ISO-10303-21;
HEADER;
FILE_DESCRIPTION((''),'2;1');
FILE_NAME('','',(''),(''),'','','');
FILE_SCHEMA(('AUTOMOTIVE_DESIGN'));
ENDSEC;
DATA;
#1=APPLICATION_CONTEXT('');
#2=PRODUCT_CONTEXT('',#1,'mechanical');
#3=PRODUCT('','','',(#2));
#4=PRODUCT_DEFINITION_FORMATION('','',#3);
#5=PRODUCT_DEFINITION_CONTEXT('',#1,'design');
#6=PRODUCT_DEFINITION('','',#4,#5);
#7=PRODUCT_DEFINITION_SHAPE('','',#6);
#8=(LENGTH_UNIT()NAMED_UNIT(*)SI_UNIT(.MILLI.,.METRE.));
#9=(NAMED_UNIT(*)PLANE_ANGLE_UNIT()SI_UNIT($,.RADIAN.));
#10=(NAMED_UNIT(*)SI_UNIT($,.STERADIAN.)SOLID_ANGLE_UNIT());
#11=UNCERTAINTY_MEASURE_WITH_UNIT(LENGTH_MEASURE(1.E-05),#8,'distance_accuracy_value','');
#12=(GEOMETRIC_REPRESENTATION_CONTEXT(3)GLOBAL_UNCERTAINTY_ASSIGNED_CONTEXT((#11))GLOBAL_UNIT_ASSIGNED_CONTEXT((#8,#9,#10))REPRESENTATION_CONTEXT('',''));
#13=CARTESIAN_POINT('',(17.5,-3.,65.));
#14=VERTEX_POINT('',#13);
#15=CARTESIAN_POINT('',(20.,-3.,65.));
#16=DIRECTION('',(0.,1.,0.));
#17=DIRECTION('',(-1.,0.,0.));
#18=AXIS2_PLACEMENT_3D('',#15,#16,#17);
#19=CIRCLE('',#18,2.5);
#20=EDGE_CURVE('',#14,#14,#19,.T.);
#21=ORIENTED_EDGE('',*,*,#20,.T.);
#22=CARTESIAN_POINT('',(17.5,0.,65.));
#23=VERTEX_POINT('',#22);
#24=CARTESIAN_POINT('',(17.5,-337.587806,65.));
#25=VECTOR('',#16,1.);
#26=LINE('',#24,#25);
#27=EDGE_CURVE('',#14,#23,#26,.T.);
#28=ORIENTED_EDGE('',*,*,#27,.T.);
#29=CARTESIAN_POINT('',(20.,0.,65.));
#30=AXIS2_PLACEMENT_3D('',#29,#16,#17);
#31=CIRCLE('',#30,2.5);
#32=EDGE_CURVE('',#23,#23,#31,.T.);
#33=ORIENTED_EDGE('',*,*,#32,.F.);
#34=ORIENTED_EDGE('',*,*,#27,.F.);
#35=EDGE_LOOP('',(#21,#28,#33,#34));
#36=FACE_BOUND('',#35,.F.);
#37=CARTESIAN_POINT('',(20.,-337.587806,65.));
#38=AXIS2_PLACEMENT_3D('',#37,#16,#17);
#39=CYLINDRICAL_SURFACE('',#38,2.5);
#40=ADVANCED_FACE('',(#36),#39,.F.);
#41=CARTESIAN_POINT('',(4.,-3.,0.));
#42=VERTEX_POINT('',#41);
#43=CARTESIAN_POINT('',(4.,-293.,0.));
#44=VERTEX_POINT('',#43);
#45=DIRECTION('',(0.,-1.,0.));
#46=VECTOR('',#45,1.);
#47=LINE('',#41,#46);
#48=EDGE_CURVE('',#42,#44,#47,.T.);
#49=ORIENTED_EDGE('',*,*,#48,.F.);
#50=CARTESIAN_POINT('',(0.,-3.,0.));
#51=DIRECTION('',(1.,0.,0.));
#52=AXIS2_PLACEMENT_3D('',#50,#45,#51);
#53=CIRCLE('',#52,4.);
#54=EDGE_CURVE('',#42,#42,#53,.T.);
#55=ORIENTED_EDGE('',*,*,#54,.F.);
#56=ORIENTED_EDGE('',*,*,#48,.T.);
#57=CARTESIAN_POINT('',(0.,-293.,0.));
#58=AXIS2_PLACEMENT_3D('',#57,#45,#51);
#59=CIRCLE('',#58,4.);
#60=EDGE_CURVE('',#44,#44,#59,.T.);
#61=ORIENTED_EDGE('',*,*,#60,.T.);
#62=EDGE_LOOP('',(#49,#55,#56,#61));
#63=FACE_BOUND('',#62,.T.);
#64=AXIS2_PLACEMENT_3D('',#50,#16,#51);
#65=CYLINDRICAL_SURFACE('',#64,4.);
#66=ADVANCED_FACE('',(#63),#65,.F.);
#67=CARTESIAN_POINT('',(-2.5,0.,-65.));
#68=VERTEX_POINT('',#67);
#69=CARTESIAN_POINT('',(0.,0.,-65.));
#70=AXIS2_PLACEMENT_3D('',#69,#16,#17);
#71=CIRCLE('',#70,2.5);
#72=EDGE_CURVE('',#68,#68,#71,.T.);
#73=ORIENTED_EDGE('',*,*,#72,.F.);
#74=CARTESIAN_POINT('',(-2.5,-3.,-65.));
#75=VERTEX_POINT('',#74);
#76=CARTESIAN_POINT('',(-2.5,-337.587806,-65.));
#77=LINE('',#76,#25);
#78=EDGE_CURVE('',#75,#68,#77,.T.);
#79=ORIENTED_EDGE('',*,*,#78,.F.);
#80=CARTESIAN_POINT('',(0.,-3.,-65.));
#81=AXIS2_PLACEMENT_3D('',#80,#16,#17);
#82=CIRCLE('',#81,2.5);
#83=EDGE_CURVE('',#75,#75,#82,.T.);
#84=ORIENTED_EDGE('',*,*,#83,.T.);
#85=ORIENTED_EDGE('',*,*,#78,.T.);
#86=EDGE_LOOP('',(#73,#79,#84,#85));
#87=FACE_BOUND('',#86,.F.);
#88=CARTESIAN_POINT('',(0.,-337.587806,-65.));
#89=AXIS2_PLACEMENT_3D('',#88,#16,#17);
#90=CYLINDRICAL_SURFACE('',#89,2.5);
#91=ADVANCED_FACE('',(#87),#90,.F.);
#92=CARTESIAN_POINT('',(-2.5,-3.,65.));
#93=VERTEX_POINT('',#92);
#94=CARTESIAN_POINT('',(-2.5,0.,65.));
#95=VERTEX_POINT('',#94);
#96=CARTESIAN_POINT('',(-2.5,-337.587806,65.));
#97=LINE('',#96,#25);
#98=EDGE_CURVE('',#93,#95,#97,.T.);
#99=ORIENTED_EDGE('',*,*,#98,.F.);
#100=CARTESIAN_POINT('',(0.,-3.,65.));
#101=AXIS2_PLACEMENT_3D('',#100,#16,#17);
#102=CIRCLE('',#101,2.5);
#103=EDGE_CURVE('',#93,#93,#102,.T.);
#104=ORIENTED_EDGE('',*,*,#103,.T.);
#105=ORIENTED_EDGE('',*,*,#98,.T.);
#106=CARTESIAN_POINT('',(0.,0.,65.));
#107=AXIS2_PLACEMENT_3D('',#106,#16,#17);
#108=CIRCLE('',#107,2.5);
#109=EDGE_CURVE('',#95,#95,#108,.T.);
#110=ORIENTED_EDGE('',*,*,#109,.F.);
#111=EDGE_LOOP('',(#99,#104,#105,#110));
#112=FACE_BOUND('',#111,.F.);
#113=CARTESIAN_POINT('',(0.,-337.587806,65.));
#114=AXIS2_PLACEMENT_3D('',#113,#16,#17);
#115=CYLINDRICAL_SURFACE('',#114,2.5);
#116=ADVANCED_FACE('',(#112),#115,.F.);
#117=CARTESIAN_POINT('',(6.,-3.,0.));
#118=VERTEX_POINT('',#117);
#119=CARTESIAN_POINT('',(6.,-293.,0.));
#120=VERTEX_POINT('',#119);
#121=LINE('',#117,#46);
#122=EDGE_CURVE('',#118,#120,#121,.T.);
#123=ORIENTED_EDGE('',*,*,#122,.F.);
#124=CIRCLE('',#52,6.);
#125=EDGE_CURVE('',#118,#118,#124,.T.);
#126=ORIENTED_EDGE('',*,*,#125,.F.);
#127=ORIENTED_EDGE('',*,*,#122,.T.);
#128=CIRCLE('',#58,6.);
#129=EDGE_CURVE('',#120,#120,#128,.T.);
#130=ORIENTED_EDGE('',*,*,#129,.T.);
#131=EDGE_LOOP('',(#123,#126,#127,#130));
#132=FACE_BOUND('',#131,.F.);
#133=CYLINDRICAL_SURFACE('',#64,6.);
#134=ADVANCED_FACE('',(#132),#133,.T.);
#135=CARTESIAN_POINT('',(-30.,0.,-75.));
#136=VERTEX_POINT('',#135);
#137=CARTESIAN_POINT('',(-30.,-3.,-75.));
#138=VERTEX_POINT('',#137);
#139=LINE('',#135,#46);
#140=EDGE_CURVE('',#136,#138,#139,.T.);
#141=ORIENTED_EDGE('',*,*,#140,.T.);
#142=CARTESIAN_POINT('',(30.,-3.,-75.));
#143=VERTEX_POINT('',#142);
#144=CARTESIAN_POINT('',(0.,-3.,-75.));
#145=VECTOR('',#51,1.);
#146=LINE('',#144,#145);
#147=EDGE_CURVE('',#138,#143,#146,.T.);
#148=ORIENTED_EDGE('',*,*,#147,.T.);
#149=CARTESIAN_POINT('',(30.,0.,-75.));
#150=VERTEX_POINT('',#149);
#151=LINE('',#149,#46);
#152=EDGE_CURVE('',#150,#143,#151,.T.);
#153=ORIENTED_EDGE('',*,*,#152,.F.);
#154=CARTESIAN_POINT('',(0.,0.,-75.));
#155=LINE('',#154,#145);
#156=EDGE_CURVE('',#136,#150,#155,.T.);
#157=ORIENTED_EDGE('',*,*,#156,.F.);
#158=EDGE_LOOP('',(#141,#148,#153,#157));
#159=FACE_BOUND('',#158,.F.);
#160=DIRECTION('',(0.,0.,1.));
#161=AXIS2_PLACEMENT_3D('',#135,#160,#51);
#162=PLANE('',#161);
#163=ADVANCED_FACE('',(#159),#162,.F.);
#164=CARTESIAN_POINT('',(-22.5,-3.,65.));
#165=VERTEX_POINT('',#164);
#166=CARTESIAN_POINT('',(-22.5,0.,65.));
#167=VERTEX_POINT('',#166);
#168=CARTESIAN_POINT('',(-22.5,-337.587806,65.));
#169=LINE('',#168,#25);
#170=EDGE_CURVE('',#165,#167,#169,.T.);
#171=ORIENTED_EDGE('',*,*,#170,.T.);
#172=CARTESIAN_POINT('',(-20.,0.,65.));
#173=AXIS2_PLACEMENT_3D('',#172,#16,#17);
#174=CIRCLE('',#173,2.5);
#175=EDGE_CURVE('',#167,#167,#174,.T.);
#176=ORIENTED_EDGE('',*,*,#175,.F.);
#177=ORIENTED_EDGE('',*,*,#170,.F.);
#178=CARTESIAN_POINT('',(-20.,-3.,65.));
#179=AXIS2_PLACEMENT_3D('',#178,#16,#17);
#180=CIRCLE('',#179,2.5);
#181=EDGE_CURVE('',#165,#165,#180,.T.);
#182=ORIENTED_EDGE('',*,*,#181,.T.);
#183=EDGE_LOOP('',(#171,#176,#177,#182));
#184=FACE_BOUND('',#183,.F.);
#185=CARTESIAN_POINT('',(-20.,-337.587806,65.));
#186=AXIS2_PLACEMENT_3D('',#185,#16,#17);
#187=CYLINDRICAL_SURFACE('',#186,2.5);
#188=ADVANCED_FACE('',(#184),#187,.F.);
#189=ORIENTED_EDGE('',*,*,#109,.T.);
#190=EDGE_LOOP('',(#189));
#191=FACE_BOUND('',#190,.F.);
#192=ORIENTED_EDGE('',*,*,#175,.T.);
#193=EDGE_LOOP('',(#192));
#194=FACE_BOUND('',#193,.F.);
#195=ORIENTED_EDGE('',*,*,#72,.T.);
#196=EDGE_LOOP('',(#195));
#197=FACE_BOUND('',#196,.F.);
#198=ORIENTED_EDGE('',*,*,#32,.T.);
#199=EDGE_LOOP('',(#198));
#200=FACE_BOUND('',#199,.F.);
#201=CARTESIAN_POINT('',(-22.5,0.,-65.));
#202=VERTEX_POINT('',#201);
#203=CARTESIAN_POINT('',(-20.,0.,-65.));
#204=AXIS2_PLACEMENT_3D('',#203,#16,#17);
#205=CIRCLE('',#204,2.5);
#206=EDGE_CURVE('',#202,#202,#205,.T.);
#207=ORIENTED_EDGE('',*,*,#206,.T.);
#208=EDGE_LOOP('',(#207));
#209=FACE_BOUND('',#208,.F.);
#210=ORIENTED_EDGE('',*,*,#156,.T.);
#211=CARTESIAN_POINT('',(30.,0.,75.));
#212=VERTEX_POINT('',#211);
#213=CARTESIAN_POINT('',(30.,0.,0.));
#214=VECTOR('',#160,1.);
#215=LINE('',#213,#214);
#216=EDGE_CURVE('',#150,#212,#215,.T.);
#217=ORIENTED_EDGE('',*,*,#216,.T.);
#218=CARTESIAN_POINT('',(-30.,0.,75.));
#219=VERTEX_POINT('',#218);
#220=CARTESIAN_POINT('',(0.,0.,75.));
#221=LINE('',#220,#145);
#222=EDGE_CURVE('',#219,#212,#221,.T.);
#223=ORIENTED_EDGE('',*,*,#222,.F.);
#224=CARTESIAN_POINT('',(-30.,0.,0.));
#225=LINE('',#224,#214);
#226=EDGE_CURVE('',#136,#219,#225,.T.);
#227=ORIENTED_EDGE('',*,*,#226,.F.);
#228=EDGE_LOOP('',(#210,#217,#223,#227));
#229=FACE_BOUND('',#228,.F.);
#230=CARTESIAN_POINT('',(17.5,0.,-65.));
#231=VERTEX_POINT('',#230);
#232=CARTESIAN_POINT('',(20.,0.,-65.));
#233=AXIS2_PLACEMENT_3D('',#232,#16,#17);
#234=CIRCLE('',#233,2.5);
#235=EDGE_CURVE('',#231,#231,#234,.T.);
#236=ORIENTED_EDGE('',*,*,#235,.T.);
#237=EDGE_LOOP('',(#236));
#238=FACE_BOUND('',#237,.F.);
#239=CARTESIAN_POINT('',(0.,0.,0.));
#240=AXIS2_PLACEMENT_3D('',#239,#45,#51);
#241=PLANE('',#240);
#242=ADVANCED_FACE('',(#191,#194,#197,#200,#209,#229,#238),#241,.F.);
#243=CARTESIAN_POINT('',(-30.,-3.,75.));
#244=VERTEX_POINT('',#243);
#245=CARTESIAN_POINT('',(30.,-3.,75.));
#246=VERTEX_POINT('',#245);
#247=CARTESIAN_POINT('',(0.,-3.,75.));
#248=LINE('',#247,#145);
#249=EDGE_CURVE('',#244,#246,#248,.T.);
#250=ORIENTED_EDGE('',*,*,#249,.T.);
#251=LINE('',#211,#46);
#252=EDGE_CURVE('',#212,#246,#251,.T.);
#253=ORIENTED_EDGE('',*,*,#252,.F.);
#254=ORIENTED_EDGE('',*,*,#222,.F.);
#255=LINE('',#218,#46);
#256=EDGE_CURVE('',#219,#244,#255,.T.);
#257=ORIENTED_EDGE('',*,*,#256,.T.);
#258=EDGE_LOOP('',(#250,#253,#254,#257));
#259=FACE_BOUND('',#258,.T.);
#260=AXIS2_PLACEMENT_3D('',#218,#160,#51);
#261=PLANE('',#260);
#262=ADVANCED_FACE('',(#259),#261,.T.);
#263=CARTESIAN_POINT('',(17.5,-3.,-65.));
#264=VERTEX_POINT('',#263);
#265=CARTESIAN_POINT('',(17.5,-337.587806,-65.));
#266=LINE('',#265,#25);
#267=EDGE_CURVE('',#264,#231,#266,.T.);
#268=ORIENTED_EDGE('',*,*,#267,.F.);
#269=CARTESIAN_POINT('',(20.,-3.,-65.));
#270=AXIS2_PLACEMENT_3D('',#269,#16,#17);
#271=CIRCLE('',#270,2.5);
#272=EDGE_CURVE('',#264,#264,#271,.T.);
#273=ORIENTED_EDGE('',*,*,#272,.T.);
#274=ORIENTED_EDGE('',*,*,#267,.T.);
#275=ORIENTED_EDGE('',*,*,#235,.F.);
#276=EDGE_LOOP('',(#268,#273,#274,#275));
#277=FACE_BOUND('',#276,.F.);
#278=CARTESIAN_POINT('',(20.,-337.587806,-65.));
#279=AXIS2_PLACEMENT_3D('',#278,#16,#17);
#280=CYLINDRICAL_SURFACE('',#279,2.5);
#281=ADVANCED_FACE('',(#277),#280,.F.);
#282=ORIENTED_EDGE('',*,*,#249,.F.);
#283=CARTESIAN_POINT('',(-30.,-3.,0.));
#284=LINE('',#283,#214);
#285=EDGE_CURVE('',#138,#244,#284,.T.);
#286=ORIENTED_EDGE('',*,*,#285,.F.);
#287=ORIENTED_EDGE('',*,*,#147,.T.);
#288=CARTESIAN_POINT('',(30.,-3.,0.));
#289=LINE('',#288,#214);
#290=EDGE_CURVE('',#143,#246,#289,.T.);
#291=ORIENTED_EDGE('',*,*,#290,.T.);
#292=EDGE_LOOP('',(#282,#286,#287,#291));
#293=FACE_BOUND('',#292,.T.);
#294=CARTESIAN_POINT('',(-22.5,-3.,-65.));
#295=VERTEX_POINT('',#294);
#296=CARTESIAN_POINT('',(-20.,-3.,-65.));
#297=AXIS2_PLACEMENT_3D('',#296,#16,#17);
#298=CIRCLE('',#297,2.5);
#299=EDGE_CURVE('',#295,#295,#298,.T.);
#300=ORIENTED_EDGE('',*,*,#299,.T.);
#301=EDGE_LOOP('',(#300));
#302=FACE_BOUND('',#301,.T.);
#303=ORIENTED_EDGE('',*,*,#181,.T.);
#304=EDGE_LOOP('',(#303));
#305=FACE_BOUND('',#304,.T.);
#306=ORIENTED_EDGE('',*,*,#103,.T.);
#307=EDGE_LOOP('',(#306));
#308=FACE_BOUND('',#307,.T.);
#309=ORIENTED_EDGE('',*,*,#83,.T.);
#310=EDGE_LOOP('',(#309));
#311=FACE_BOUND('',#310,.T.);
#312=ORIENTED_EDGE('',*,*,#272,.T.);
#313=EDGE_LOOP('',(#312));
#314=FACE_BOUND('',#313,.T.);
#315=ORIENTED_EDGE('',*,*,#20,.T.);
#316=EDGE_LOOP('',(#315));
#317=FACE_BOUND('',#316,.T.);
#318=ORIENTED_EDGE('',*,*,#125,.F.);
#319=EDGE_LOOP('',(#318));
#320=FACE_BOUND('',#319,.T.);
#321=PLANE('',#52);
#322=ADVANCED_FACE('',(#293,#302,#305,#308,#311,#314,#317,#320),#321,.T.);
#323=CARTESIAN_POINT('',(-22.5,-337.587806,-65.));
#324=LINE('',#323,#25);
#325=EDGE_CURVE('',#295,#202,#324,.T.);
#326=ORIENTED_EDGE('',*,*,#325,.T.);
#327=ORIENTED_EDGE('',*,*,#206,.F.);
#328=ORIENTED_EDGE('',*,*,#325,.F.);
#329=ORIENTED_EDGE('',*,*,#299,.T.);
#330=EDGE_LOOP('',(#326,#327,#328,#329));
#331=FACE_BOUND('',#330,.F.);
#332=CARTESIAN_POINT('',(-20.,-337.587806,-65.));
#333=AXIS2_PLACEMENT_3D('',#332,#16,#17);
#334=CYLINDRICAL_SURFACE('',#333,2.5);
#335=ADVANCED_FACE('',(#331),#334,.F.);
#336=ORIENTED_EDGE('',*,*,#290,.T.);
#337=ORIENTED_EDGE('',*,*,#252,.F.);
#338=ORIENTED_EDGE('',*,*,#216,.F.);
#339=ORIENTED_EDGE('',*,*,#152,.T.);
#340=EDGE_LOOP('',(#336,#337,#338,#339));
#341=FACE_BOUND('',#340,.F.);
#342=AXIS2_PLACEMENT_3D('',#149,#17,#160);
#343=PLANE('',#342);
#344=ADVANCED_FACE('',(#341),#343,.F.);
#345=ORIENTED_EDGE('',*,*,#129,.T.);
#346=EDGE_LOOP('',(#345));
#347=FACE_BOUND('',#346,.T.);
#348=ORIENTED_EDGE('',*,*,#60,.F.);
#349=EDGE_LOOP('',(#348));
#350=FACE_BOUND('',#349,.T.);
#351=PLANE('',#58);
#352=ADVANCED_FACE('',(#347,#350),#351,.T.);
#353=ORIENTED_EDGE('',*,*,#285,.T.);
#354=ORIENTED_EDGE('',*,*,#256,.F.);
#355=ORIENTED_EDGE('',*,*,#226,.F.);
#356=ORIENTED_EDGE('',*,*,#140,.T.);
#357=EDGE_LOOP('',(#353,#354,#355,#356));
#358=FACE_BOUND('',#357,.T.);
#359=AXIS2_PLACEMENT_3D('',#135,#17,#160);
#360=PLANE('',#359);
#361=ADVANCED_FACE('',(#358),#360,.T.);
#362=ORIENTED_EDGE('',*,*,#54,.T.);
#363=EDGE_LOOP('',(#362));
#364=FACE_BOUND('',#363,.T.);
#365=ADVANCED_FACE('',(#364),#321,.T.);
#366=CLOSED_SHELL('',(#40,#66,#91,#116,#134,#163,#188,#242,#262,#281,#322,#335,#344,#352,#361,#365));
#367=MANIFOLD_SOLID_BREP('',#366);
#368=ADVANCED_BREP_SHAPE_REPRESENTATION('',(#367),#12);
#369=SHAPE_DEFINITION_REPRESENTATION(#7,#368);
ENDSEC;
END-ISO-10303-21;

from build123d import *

# Parameters (mm, degrees)
F0_W     = 60
F0_H     = 150
F1_DEPTH = 3
F2_R     = 6
F2_R_2   = 4
F3_DEPTH = 290
F5_D     = 5


with BuildPart() as f1:
    # F0 (on Front) → F1 (new body)
    with BuildSketch(Plane.XZ):
        Rectangle(F0_W, F0_H)
    extrude(amount=F1_DEPTH)

    # F2 (on face) → F3 (join)
    with BuildSketch(Plane.XZ.offset(3)):
        Circle(F2_R)
        Circle(F2_R_2, mode=Mode.SUBTRACT)
    extrude(amount=F3_DEPTH)

    # F5 (through all)
    with Locations(Plane.XZ.offset(3)):
        with Locations((-20, 65), (0, 65), (20, 65), (20, -65), (0, -65), (-20, -65)):
            Hole(F5_D / 2)


solid = f1.part
